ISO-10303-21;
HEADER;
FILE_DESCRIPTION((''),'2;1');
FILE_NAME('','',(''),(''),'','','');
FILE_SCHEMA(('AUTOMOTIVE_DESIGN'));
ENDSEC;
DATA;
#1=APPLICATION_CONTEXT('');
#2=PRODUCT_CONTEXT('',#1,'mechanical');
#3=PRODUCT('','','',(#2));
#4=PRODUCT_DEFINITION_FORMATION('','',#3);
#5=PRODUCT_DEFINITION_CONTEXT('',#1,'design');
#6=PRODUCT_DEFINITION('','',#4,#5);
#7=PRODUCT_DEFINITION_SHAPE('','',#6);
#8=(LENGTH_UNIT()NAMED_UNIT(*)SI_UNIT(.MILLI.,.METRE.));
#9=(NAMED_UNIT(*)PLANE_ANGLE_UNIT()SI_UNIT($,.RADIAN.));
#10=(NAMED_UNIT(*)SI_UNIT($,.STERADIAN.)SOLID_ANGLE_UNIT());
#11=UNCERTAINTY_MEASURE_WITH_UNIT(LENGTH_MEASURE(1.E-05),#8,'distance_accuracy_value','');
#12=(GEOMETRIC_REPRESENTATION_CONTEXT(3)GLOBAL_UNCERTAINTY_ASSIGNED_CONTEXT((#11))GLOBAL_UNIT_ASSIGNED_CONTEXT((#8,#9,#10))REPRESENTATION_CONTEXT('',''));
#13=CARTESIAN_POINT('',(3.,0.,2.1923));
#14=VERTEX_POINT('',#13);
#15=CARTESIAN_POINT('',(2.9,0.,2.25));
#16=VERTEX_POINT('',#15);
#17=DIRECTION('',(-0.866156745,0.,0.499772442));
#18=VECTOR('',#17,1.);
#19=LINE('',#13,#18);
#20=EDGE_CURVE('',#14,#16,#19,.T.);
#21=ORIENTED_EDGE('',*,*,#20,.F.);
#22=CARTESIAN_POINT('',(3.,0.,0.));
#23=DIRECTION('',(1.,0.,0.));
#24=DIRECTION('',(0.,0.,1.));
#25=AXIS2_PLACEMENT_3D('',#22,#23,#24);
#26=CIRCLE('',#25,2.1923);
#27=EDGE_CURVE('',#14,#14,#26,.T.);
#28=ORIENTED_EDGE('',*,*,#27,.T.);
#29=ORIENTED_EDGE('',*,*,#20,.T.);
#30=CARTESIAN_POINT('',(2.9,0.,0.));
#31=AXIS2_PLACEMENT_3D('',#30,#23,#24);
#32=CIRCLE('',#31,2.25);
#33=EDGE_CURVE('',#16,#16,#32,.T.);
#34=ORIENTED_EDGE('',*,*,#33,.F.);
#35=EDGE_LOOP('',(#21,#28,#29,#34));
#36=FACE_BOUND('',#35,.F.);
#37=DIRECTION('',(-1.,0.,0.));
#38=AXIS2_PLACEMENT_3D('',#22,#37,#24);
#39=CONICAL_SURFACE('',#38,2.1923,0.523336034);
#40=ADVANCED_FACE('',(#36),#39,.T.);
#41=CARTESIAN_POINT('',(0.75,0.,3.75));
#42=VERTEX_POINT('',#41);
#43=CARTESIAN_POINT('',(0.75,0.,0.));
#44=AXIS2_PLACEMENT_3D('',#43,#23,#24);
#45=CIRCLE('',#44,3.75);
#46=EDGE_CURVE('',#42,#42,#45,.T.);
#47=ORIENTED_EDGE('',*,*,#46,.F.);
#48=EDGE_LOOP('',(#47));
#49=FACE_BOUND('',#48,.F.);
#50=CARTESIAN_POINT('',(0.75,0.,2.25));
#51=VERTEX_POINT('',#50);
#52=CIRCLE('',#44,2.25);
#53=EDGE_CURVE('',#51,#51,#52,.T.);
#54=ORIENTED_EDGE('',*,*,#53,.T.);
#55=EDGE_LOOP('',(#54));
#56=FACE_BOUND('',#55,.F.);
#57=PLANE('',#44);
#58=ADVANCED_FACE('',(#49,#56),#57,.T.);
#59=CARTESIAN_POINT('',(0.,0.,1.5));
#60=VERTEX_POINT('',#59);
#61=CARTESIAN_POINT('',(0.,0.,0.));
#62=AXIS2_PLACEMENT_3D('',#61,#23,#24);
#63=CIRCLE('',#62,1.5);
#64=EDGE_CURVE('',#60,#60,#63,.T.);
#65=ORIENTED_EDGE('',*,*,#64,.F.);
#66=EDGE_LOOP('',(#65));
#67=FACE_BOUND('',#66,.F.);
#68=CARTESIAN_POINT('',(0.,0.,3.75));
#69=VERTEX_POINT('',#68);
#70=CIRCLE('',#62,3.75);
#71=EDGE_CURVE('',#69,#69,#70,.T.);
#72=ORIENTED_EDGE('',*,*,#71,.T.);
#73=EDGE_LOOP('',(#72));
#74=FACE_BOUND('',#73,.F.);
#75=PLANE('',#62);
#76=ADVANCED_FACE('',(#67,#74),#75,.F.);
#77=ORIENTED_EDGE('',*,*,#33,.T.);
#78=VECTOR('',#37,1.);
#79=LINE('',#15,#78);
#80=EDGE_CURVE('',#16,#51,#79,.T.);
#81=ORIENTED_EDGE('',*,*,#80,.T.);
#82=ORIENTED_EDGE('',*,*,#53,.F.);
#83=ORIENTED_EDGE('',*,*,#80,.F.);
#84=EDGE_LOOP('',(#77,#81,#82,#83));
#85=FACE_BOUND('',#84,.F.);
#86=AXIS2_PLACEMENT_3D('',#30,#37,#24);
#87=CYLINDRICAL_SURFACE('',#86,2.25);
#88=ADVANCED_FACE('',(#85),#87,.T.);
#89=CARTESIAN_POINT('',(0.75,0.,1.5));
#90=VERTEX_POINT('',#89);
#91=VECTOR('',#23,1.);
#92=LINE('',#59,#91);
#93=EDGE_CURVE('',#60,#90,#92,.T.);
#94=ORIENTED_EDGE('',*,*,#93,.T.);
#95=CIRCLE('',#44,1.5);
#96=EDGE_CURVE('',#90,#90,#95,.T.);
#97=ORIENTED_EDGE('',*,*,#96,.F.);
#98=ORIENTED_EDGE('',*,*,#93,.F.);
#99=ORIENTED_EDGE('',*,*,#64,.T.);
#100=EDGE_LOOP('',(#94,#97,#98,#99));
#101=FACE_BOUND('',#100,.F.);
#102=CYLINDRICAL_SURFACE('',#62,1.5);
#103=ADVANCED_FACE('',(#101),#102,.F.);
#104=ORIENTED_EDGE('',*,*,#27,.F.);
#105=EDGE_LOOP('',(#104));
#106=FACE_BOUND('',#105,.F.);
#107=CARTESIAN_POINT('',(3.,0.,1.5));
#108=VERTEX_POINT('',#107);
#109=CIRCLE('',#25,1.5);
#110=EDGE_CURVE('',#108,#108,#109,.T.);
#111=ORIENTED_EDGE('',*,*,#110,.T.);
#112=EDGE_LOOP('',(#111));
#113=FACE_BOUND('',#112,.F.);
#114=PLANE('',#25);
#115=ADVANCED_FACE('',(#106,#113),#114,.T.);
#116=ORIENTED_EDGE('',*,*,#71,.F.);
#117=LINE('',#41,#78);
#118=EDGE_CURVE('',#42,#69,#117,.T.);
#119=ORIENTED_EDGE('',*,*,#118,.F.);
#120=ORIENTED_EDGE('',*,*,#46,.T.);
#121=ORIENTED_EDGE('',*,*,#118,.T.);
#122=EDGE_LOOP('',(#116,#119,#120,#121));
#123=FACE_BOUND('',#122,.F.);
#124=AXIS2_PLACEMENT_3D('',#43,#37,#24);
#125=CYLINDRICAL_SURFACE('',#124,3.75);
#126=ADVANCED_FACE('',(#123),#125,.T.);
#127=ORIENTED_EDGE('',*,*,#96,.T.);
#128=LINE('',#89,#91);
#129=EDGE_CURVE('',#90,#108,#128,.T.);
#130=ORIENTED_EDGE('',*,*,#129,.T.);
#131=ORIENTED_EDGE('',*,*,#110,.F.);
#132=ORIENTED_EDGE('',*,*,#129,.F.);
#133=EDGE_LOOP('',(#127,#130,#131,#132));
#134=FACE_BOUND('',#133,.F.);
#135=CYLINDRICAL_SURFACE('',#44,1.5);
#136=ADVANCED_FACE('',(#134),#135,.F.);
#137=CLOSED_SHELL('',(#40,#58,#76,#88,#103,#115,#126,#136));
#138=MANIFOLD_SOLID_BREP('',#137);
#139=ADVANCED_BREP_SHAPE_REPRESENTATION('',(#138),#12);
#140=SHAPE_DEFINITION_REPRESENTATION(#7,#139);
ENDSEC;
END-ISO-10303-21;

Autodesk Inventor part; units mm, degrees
ref_plane "YZ Plane" through (0, 0, 0) normal (1, 0, 0) x (0, 1, 0)
ref_plane "XZ Plane" through (0, 0, 0) normal (0, 1, 0) x (-1, 0, 0)
ref_plane "XY Plane" through (0, 0, 0) normal (0, 0, 1) x (1, 0, 0)
sketch "スケッチ2" plane through (0, 0, 0) normal (0, 1, 0) x (-1, 0, 0)
  line L0 (0, 1.5) -> (-0.75, 1.5)
  line L1 (-0.75, 2.25) -> (-0.75, 3.75)
  line L2 (-0.75, 3.75) -> (0, 3.75)
  line L3 (0, 3.75) -> (0, 1.5)
  line L4 (-0.75, 1.5) -> (-3, 1.5)
  line L5 (-3, 1.5) -> (-3, 2.1923)
  line L6 (0, 0) -> (-4.3872, 0)
  line L7 (-3, 2.1923) -> (-2.9, 2.25)
  line L8 (-2.9, 2.25) -> (-0.75, 2.25)
  dimension "d0" = 3.75
  dimension "d2" = 1.5
  dimension "d3" = 0.75
  dimension "d4" = 3
  dimension "d5" = 30
  dimension "d6" = 2.25
  dimension "d7" = 0.1
  dimension "d8" = 0
revolve "回転1" add sketch "スケッチ2" angle 360 about axis through (0, 0, 0) along (1, 0, 0)
properties part number "GFM-0304-03" material "PAEK 樹脂"
